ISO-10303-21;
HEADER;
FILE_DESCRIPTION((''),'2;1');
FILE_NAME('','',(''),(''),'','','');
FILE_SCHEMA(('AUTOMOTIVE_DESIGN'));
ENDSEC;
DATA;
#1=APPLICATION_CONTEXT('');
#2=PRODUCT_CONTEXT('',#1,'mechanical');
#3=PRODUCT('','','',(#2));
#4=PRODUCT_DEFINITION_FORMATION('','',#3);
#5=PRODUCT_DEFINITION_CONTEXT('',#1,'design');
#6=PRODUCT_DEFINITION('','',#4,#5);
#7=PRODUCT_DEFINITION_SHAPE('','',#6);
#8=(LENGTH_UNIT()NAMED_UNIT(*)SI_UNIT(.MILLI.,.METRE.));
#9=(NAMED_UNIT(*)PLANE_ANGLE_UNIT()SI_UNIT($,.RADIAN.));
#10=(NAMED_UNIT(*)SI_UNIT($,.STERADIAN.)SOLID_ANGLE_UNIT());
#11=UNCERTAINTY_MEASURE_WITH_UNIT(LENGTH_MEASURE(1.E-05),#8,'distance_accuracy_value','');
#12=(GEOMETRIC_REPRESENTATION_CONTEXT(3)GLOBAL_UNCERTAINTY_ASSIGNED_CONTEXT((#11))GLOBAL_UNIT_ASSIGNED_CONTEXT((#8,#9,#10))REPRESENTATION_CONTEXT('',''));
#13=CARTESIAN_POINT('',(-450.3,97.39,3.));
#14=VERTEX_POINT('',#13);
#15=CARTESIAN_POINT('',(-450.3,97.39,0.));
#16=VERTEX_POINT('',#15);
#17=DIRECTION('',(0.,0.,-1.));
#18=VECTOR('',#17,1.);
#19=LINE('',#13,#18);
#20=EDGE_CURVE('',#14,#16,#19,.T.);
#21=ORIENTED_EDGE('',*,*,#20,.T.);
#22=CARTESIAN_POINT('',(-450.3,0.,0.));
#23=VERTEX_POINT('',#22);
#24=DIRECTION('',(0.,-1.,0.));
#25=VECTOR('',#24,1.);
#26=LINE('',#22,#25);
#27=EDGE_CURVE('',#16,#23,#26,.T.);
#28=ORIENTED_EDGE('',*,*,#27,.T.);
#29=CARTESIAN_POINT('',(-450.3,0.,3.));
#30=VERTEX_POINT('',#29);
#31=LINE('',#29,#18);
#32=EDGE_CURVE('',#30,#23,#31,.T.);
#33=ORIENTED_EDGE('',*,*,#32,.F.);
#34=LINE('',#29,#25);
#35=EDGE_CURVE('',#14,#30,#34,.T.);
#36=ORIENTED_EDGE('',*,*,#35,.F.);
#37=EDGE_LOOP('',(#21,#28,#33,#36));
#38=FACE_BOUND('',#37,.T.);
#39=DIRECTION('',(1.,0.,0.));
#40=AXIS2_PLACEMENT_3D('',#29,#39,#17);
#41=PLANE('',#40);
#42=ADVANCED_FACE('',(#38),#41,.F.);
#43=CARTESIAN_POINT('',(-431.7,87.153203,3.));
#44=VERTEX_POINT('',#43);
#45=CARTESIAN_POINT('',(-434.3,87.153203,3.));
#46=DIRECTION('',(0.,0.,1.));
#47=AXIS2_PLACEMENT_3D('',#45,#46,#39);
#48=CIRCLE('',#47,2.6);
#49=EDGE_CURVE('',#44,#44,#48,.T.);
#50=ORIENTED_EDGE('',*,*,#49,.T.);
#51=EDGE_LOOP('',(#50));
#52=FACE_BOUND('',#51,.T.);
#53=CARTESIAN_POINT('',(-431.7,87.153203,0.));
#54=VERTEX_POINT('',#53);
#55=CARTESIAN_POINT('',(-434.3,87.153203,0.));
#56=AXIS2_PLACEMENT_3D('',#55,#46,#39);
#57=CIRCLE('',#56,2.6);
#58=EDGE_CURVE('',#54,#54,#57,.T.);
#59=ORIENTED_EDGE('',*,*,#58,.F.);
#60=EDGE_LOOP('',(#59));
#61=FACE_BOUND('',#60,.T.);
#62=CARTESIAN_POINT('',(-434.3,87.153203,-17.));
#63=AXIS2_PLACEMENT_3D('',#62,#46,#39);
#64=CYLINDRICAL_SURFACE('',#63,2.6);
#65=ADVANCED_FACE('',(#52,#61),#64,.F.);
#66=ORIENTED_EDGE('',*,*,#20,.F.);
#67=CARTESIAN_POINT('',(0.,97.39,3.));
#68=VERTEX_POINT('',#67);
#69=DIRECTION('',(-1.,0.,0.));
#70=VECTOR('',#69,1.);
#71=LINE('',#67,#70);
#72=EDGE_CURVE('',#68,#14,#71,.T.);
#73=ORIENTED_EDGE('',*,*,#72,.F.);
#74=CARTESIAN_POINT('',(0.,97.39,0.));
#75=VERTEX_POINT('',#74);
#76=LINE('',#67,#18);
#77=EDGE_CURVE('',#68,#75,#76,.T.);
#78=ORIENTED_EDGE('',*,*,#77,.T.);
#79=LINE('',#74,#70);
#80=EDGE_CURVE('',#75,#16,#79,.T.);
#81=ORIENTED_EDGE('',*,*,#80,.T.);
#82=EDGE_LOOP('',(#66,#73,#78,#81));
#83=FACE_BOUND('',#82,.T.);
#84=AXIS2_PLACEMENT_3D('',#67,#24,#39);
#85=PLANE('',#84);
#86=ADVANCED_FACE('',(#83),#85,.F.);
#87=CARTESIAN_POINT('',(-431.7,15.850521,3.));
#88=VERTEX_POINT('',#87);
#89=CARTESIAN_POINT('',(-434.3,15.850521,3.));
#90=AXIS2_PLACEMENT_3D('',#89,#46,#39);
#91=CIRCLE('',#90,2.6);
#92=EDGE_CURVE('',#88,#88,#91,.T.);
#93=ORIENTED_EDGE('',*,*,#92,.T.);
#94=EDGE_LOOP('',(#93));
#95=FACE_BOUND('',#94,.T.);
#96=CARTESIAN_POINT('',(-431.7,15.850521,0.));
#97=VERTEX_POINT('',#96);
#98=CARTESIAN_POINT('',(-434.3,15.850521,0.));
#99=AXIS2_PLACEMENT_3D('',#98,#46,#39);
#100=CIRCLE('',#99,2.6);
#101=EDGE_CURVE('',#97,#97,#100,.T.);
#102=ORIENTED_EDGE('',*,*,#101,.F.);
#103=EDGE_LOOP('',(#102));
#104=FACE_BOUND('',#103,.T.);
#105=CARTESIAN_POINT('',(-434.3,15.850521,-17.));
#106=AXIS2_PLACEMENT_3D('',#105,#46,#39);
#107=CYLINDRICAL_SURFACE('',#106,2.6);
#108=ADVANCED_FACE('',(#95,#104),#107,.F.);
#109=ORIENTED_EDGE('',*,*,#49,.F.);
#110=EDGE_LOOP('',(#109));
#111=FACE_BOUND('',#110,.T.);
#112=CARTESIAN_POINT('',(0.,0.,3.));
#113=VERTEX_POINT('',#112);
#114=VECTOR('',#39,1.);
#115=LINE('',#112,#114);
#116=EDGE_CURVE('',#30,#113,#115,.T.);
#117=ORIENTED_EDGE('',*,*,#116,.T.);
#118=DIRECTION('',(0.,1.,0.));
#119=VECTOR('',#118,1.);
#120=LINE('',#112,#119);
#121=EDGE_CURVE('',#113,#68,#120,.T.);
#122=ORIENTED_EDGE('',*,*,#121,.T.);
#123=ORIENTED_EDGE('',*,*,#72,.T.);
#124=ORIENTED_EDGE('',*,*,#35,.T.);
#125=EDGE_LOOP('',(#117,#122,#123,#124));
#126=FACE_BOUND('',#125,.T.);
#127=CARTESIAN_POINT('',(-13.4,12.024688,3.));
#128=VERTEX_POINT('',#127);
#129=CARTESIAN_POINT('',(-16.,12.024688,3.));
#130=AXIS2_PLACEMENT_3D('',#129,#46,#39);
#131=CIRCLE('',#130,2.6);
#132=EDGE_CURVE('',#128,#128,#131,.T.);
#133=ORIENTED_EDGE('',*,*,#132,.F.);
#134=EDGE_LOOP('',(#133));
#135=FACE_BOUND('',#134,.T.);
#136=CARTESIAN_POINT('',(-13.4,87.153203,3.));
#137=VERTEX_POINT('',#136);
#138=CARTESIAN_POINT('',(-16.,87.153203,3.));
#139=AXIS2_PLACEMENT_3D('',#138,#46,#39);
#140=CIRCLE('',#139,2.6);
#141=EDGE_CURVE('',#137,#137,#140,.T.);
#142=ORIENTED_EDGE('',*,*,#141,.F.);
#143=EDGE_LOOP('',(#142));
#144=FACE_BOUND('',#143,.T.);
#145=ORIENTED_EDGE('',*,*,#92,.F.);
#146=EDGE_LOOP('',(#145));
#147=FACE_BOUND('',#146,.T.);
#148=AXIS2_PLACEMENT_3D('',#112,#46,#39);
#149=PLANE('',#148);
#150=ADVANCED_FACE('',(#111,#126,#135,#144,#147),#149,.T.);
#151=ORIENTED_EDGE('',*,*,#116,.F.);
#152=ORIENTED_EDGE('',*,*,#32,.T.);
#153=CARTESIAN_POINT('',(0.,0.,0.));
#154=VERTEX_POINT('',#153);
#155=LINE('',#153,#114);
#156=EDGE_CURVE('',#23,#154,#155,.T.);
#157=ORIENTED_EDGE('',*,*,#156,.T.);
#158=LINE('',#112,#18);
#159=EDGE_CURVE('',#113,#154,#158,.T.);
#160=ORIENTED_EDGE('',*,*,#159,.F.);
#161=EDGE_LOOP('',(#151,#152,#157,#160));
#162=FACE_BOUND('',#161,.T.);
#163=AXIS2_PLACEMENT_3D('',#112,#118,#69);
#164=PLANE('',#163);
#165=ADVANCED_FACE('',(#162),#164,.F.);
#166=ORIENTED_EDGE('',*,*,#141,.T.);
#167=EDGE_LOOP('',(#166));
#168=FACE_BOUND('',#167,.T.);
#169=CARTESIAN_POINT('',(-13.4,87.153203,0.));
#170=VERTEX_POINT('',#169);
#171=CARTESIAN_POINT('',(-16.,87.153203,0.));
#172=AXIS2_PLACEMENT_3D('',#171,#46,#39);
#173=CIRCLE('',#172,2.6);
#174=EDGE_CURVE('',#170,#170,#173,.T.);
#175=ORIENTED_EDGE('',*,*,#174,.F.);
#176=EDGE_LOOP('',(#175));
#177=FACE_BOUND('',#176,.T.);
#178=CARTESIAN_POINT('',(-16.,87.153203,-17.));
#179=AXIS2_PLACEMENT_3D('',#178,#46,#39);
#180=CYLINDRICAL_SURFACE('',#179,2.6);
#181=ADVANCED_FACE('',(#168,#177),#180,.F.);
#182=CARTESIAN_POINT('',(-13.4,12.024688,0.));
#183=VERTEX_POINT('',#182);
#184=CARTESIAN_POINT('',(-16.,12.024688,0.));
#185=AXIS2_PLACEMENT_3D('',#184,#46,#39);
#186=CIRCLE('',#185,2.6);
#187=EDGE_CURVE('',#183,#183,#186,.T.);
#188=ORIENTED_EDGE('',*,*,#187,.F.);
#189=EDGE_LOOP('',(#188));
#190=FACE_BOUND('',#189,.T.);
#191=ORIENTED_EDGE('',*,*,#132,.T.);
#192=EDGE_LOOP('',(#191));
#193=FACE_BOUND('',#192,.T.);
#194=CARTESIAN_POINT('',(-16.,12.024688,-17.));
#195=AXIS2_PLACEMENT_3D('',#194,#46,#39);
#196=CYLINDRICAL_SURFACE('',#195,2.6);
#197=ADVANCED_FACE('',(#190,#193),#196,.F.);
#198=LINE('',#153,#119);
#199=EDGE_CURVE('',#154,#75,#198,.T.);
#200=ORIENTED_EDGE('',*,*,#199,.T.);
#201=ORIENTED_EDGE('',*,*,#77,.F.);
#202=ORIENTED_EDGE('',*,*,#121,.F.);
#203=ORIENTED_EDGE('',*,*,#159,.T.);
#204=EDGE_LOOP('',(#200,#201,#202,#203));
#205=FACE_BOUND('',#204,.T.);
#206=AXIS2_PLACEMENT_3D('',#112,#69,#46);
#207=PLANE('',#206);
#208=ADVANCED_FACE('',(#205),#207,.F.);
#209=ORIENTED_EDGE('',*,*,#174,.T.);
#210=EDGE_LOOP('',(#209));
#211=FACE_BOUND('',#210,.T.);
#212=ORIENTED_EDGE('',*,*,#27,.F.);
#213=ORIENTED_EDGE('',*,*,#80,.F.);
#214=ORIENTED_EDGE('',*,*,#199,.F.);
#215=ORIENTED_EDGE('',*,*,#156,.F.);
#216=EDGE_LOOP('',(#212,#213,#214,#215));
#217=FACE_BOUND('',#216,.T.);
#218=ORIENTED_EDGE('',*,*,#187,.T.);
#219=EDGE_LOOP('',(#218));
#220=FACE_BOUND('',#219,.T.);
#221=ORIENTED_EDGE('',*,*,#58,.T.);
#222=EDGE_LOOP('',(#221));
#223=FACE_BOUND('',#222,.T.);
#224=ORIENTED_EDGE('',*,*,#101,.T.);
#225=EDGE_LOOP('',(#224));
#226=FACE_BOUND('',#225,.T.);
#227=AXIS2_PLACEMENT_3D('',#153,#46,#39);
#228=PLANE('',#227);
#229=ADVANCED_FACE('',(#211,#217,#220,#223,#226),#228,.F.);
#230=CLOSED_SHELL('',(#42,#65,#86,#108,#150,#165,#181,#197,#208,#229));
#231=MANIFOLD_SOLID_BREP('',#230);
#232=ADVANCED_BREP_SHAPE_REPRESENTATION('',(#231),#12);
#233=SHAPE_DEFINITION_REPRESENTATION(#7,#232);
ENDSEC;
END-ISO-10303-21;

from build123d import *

# Parameters (mm, degrees)
ESQUISSE1_W             = 450.3
ESQUISSE1_H             = 97.39
BOSS_EXTRU_1_DEPTH      = 3
ESQUISSE2_R             = 2.6
ENL_V_MAT_EXTRU_1_DEPTH = 20


with BuildPart() as part:
    # Esquisse1 → Boss.-Extru.1 (new body)
    with BuildSketch(Plane.XY):
        with Locations((-225.15, 48.695)):
            Rectangle(ESQUISSE1_W, ESQUISSE1_H)
    extrude(amount=BOSS_EXTRU_1_DEPTH)

    # Esquisse2 → Enlèv. mat.-Extru.1 (cut)
    with BuildSketch(Plane.XY.offset(3)):
        with Locations((-16, 12.024688076)):
            Circle(ESQUISSE2_R)
        with Locations((-16, 87.153202694)):
            Circle(ESQUISSE2_R)
        with Locations((-434.3, 87.153202694)):
            Circle(ESQUISSE2_R)
        with Locations((-434.3, 15.850520567)):
            Circle(ESQUISSE2_R)
    extrude(amount=-ENL_V_MAT_EXTRU_1_DEPTH, mode=Mode.SUBTRACT)


solid = part.part
